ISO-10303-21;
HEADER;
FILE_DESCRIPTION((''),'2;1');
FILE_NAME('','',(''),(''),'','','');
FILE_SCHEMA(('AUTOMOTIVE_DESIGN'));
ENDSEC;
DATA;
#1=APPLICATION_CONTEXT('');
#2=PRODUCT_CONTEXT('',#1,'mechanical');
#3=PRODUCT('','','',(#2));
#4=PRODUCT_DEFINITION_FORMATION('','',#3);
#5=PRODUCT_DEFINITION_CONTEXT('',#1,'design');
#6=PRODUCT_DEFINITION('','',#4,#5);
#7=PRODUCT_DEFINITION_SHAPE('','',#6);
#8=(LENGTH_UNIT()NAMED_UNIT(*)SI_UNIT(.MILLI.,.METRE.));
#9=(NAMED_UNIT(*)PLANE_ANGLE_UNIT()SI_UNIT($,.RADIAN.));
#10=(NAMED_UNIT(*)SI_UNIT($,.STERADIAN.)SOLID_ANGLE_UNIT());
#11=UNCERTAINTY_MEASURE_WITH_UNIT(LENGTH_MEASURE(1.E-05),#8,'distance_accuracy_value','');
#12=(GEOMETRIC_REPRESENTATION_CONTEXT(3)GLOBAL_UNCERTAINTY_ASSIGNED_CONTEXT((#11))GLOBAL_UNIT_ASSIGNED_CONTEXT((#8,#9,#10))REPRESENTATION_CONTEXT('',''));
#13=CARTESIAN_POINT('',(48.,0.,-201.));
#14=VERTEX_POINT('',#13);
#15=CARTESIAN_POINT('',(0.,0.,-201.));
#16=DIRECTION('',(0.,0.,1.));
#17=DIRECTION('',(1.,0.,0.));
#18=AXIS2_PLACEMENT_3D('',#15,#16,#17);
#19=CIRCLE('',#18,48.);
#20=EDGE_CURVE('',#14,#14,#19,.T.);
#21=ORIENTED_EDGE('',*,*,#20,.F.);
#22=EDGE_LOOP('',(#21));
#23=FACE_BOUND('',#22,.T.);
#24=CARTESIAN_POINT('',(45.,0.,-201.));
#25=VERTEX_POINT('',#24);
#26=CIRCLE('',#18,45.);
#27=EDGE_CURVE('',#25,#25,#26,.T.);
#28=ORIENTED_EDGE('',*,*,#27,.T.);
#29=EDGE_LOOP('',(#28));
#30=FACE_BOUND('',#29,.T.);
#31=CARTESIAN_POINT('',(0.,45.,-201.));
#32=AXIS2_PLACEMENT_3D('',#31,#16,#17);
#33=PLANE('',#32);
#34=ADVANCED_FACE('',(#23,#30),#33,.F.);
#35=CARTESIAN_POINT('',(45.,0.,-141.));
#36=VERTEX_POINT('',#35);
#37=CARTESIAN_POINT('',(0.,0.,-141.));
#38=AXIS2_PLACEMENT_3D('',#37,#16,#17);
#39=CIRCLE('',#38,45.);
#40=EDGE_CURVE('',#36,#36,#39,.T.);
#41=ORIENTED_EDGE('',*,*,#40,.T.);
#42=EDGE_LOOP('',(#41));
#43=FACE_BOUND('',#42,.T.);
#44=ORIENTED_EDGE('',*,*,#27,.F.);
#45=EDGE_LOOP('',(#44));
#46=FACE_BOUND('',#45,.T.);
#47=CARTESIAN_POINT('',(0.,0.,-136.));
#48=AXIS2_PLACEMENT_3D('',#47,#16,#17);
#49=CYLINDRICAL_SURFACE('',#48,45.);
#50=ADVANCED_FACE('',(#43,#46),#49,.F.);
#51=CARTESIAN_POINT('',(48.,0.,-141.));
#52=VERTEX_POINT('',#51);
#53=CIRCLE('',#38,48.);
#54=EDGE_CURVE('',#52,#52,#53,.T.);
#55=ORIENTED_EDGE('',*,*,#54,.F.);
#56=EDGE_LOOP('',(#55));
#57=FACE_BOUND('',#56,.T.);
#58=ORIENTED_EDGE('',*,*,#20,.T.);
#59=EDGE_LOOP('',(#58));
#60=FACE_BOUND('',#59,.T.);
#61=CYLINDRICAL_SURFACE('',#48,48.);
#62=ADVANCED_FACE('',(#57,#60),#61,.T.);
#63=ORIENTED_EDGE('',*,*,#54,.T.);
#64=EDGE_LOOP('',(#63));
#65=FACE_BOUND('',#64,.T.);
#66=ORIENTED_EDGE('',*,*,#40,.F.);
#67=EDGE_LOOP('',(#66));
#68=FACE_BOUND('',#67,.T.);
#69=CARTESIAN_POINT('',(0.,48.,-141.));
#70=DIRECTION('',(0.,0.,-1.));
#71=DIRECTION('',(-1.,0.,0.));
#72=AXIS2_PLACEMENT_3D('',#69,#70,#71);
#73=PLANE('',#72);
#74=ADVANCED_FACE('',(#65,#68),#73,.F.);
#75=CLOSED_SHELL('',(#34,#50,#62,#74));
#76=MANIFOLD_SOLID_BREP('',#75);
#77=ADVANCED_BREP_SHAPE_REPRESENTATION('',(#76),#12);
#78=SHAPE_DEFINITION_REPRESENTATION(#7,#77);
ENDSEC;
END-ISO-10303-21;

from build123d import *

# Parameters (mm, degrees)
SKETCH_1_W = 60
SKETCH_1_H = 3


with BuildPart() as part:
    # 草图1 → 旋转1 (revolve)
    with BuildSketch(Plane(origin=(0, 0, 0), x_dir=(0, 0, -1), z_dir=(1, 0, 0)), mode=Mode.PRIVATE) as revolve_1_sk:
        with Locations((171, 46.5)):
            Rectangle(SKETCH_1_W, SKETCH_1_H)
    revolve(revolve_1_sk.sketch.rotate(Axis((0, 0, -136), (0, 0, -1)), 90), axis=Axis((0, 0, -136), (0, 0, -1)))


solid = part.part
